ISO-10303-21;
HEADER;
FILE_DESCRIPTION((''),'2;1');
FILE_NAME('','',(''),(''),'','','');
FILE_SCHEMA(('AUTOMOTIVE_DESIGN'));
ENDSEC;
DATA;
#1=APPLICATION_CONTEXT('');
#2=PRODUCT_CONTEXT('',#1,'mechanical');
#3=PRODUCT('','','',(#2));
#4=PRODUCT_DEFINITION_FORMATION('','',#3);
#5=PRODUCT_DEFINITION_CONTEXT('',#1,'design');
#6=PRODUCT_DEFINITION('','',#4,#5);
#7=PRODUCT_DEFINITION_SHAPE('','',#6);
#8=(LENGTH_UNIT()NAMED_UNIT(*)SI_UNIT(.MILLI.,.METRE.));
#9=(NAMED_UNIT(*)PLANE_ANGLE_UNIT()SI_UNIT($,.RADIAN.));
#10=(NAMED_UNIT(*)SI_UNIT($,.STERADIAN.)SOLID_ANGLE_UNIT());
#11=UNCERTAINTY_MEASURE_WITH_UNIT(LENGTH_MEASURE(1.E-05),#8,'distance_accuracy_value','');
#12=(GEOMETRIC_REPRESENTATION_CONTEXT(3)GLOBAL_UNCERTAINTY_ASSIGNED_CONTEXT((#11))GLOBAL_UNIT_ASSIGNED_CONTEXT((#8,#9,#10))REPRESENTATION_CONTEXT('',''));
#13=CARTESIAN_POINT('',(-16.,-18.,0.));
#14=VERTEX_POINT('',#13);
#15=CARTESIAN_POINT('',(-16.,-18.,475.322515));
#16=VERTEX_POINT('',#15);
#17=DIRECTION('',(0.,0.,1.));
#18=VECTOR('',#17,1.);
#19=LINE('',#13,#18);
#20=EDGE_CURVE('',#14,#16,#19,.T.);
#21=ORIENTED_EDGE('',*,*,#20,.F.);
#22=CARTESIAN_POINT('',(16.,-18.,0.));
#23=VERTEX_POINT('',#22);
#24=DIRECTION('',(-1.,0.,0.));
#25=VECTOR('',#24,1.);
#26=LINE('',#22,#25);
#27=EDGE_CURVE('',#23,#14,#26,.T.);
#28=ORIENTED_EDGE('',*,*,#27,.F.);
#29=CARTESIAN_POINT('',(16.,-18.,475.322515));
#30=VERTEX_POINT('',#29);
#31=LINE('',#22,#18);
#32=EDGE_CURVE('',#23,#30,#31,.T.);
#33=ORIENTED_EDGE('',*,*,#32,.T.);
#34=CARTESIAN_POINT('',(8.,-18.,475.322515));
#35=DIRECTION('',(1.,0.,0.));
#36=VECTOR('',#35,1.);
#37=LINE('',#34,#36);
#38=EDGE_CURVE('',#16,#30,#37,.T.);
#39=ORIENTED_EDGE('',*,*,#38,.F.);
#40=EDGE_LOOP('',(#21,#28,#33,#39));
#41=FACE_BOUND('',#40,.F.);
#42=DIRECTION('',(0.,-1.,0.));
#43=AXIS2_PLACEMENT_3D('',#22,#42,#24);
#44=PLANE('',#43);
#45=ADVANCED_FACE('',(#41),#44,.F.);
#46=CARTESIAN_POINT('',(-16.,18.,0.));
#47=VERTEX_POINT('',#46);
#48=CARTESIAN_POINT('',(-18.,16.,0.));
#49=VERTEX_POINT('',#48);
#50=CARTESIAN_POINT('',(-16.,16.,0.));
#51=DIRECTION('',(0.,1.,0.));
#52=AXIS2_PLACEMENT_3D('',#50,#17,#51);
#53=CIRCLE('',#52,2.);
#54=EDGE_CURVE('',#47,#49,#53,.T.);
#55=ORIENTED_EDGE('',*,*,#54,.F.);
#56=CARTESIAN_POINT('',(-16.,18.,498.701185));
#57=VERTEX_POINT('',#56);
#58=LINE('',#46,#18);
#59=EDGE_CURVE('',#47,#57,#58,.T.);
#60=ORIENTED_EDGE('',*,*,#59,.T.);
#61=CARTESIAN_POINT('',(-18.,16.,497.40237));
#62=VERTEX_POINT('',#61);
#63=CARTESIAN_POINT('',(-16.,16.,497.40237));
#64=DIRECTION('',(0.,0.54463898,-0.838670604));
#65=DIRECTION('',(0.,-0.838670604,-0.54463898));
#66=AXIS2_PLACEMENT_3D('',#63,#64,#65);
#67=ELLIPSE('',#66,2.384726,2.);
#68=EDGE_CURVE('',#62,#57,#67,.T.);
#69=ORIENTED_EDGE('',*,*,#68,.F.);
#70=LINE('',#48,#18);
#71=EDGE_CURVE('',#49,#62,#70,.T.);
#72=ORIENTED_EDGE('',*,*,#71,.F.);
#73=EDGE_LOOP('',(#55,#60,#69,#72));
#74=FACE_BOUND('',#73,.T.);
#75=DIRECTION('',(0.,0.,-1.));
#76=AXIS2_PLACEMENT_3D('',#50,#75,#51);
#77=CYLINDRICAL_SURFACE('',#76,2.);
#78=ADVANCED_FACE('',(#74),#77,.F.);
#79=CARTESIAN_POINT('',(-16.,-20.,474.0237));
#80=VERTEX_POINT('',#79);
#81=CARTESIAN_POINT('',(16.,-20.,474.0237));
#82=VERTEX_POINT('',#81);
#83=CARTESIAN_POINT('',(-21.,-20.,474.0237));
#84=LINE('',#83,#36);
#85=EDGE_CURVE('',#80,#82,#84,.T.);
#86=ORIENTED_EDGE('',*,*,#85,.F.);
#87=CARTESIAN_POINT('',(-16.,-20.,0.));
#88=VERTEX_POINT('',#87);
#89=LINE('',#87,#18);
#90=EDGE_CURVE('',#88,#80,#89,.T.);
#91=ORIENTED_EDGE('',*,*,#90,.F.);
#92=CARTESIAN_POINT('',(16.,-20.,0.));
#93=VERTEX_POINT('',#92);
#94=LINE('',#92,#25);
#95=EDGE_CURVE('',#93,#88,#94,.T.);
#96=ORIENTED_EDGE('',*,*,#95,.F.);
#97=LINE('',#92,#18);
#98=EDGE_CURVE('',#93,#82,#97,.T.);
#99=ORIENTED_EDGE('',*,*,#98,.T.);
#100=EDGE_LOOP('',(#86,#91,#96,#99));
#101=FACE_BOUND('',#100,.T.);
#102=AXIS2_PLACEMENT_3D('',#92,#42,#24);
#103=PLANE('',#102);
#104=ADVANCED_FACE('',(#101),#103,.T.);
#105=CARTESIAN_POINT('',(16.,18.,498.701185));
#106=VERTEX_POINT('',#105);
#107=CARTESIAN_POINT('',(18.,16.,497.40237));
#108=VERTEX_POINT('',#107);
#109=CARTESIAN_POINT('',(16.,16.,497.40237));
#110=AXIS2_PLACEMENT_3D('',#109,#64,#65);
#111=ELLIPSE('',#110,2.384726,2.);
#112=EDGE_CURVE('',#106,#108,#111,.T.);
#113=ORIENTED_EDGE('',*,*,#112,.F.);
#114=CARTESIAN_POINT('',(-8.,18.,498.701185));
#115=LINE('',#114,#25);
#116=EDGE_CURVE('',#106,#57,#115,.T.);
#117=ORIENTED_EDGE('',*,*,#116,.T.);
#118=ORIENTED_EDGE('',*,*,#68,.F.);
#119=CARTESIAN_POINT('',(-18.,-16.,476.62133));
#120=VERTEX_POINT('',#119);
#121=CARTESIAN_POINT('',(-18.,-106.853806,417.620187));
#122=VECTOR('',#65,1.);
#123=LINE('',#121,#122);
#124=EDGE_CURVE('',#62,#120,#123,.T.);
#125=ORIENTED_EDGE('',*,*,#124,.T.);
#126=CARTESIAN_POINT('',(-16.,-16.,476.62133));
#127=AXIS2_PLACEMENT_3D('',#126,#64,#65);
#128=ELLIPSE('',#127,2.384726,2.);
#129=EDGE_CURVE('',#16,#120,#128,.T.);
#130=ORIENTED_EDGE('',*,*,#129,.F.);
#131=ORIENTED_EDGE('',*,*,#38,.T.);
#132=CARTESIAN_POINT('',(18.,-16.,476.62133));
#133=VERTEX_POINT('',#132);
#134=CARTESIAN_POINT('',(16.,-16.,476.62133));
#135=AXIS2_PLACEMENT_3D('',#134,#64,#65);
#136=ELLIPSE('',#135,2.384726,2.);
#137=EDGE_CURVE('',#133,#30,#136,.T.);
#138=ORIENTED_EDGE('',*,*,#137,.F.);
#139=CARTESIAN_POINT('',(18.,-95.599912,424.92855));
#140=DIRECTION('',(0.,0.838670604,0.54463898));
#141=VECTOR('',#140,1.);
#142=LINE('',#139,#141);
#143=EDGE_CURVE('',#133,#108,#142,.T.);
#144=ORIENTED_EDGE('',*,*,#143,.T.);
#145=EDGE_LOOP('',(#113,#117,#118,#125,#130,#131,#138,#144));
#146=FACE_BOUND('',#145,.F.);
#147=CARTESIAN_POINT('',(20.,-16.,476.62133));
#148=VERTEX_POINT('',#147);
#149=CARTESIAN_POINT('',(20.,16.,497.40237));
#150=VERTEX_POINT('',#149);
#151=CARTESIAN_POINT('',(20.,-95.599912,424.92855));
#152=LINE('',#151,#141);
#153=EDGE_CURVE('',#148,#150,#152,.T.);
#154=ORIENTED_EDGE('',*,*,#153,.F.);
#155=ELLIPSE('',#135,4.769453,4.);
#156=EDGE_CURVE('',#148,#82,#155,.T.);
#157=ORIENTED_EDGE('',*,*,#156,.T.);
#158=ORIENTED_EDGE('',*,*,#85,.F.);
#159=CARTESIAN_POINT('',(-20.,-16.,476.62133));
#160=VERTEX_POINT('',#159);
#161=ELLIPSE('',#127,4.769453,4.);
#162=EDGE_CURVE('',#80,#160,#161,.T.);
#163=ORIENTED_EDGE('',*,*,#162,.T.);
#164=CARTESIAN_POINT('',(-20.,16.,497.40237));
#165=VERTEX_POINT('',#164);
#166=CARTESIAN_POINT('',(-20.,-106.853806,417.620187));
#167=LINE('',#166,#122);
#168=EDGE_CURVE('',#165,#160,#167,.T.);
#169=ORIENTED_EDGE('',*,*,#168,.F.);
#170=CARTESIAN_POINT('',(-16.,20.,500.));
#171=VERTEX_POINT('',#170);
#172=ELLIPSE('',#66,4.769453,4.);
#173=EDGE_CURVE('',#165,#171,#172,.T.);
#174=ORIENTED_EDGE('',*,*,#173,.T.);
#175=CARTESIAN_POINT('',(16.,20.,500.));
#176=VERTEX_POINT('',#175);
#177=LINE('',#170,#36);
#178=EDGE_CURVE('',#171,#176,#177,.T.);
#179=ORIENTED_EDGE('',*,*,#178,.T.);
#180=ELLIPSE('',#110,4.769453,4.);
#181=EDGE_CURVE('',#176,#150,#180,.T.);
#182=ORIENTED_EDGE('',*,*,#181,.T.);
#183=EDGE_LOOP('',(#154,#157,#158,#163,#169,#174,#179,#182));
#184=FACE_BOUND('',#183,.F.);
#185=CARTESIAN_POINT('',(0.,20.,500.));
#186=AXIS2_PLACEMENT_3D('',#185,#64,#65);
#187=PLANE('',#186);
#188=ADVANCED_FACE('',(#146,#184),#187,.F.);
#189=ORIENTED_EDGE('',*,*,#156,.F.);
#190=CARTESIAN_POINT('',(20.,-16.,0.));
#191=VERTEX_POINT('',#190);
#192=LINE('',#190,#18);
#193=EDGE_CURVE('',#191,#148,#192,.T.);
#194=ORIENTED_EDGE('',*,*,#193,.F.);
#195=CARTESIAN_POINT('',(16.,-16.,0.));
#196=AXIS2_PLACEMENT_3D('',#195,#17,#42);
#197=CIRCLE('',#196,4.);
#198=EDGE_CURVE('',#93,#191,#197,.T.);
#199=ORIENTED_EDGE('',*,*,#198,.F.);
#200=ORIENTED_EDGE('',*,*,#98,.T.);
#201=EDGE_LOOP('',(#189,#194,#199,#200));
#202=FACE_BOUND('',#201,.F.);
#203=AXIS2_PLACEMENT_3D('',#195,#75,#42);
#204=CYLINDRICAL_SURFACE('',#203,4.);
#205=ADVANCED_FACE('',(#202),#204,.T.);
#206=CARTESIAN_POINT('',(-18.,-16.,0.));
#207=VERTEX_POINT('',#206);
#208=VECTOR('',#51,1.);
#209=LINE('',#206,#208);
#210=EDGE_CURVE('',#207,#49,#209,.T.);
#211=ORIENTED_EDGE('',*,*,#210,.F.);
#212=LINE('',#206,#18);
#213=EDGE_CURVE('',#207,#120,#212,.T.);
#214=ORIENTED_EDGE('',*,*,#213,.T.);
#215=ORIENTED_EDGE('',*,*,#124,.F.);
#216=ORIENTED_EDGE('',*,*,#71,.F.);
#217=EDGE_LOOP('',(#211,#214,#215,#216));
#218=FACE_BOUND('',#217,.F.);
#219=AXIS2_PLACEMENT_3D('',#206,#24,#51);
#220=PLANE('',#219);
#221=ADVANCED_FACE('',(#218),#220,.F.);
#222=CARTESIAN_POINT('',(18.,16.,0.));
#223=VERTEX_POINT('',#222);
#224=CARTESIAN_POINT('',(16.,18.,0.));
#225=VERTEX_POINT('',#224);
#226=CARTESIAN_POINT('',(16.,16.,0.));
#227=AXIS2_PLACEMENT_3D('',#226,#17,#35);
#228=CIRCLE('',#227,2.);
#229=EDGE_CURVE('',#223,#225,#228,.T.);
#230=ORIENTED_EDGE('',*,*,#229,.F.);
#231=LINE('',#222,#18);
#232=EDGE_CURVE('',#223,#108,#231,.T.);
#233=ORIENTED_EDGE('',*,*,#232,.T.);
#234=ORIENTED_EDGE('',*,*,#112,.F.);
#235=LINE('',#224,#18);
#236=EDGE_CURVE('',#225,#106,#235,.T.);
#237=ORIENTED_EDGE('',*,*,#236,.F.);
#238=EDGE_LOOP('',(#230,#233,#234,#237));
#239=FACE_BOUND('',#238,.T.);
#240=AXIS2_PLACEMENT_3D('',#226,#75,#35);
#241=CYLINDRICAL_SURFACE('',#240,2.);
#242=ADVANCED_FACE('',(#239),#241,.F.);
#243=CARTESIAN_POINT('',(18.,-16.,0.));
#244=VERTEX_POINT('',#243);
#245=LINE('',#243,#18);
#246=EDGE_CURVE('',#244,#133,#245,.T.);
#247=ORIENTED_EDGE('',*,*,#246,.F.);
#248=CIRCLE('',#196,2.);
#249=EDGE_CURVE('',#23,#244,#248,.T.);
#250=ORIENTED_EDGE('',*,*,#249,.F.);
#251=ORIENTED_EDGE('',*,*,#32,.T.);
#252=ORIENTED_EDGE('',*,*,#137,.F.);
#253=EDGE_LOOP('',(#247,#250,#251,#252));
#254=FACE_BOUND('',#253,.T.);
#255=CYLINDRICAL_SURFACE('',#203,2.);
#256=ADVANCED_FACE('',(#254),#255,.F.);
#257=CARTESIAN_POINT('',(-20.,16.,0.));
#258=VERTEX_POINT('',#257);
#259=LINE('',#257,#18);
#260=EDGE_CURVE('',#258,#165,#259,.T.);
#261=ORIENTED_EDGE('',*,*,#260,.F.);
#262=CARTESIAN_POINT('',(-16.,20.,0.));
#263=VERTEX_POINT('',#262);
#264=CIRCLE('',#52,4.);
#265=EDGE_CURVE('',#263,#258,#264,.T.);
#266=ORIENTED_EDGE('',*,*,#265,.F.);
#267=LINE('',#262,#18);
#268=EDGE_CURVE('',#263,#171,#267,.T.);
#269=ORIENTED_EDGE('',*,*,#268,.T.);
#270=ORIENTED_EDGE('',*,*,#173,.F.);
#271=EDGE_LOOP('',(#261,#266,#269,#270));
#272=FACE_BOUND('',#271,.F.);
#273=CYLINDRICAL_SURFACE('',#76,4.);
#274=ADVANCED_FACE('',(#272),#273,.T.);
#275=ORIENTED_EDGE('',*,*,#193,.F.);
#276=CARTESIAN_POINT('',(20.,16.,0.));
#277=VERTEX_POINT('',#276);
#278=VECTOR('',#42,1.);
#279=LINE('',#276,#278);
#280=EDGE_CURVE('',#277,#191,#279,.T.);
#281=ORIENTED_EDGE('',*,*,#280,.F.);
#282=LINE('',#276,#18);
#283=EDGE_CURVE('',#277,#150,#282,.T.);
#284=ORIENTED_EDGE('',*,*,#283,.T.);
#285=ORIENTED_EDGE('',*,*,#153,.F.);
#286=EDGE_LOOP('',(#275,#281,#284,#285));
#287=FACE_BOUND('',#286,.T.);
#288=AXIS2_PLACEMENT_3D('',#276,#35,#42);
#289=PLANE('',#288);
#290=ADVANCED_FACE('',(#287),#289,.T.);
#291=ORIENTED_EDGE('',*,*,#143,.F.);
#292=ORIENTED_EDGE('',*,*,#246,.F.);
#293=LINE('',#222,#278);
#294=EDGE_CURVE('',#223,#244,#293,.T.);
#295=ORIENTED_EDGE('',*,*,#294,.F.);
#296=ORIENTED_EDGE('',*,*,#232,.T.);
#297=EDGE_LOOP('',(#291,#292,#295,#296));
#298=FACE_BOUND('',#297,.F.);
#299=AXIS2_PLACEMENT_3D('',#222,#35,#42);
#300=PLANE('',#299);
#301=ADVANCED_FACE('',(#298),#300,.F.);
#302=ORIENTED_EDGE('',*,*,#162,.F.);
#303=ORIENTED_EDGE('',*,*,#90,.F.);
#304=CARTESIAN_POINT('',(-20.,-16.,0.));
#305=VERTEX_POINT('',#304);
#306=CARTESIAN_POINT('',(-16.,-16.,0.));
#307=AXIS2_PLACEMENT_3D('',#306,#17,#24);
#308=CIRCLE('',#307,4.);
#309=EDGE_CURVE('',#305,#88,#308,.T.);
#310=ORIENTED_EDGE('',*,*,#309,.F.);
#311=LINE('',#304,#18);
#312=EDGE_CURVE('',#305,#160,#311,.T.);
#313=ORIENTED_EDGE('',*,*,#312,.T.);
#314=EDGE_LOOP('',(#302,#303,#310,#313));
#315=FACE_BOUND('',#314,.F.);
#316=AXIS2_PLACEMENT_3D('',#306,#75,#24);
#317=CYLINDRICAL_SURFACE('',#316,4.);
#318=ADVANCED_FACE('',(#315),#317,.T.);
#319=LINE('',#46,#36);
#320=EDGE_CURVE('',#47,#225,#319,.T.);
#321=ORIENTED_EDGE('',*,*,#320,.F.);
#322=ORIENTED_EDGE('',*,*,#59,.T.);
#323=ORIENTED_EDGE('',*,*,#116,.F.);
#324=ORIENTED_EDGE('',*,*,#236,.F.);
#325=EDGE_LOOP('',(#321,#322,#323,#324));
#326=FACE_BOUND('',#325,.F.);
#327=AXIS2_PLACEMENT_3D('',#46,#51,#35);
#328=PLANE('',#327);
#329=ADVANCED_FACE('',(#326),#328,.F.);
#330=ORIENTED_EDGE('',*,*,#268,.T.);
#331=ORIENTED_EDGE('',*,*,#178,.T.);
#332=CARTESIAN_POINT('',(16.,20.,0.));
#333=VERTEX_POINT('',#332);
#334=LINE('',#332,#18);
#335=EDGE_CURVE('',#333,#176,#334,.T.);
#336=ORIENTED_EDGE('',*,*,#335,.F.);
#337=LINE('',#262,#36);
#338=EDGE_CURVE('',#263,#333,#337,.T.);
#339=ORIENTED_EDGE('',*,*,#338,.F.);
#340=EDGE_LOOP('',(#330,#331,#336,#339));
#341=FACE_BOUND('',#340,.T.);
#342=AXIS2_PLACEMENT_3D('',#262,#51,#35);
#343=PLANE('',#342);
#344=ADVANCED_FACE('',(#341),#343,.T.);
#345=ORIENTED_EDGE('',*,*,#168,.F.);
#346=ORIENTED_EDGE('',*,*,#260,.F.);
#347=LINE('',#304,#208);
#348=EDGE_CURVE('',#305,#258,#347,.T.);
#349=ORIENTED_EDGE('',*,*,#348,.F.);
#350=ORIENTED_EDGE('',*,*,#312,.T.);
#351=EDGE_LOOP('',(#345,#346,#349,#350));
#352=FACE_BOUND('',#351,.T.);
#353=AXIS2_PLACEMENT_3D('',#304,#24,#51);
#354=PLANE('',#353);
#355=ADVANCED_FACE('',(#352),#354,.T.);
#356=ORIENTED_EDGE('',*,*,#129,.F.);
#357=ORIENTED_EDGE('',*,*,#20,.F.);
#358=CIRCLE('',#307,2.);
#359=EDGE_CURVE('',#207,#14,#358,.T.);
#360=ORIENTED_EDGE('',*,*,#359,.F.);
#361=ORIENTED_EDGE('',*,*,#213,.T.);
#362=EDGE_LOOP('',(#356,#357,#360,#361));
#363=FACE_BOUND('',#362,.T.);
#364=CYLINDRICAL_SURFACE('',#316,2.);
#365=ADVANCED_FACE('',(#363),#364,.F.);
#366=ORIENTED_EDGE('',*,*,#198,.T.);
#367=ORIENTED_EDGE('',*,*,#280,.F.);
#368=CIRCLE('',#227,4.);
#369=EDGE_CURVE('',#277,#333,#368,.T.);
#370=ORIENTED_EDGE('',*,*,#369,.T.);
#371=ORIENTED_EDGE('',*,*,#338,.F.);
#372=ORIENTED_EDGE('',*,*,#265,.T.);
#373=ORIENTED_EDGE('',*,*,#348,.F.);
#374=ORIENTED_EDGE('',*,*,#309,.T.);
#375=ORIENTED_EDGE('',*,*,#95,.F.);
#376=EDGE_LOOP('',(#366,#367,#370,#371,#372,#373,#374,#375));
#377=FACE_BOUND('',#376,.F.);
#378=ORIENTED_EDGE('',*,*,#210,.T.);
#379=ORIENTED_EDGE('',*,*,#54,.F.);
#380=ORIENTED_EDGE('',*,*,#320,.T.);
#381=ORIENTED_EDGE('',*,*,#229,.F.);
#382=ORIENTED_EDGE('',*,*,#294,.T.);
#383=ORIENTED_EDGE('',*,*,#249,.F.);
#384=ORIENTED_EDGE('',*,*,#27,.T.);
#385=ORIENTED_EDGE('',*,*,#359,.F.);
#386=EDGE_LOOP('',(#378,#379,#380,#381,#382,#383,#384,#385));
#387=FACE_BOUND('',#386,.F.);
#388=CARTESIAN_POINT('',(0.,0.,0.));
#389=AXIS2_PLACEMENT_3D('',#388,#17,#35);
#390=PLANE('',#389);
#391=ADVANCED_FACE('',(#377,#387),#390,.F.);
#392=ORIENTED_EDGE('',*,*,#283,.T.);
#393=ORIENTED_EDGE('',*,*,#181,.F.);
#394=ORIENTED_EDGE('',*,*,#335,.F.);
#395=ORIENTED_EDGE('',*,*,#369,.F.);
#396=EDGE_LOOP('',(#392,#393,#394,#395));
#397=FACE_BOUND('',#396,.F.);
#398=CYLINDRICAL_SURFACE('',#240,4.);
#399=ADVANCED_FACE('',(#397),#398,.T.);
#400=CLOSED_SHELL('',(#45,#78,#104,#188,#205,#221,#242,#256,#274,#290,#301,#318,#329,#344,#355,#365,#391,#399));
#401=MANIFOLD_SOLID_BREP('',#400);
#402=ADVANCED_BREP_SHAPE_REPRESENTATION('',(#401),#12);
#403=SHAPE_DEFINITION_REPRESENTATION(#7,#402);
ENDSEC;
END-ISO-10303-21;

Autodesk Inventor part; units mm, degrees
ref_plane "YZ Plane" through (0, 0, 0) normal (1, 0, 0) x (0, 1, 0)
ref_plane "Start plane" through (0, 0, 0) normal (0, 0, 1) x (1, 0, 0)
ref_plane "End plane" through (0, 0, 500) normal (0, 0, 1) x (1, 0, 0)
sketch "Sketch" plane through (0, 0, 0) normal (0, 0, 1) x (1, 0, 0)
  line L0 (-20, -16) -> (-20, 16)
  line L1 (-16, 20) -> (16, 20)
  line L2 (20, 16) -> (20, -16)
  line L3 (16, -20) -> (-16, -20)
  arc A0 (-20, -16) -> (-16, -20) centre (-16, -16) ccw
  arc A1 (20, 16) -> (16, 20) centre (16, 16) ccw
  arc A2 (-16, 20) -> (-20, 16) centre (-16, 16) ccw
  arc A3 (16, -20) -> (20, -16) centre (16, -16) ccw
  arc A4 (-16, 18) -> (-18, 16) centre (-16, 16) ccw
  line L4 (-16, 18) -> (16, 18)
  arc A5 (18, 16) -> (16, 18) centre (16, 16) ccw
  line L5 (18, 16) -> (18, -16)
  arc A6 (16, -18) -> (18, -16) centre (16, -16) ccw
  line L6 (16, -18) -> (-16, -18)
  arc A7 (-18, -16) -> (-16, -18) centre (-16, -16) ccw
  line L7 (-18, -16) -> (-18, 16)
  line L8 (0, 29.1598) -> (0, -29.1598) construction
  line L9 (-29.1598, 0) -> (29.1598, 0) construction
  dimension "d7" = 4
  dimension "d9" = 40
  dimension "d11" = 40
  dimension "d12" = 2
  dimension "d15" = 20
  dimension "d16" = 20
extrude "Body" add sketch "Sketch" along normal up to surface (500 mm away) from surface at 0
sketch "Sketch3" plane through (0, 0, 0) normal (0, 0, 1) x (1, 0, 0)
  line L0 (0, 0) -> (10, 0)
ref_plane "Work Plane3" through (0, 0, 0) normal (0, -1, 0) x (1, 0, 0)
sketch "Sketch5" plane through (0, 0, 0) normal (1, 0, 0) x (0, 1, 0)
  line L0 (-20, 0) -> (-20, 500) projected
  line L1 (-20, 0) -> (-20, 500) projected
  line L2 (20, 0) -> (20, 500) projected
  line L3 (20, 0) -> (20, 500) projected
  line L4 (-20, 500) -> (20, 500)
  line L5 (20, 500) -> (-20, 474.0237)
  point P0 (0, 0)
  point P1 (-20, 474.0237)
  dimension "d20" = 33
extrude "Extrusion2" cut sketch "Sketch5" along normal through all both and the other way through all
sketch "Sketch4" plane through (0, 0, 0) normal (0, -1, 0) x (1, 0, 0)
  line L0 (-2, 0) -> (12, 0) projected
  line L1 (-2, 500) -> (12, 500) projected
  dimension "d18" = 500
equation "\"d7\" = G_IR"
equation "\"d9\" = G_W"
equation "\"d11\" = G_H"
equation "\"d12\" = G_T"
equation "\"d15\" = 0.5 * d9"
equation "\"d16\" = 0.5 * d11"
equation "\"d3\" = G_L"
equation "\"G_W\" = 40"
equation "\"G_H\" = 40"
equation "\"G_T\" = 2"
equation "\"G_IR\" = 4"
equation "\"G_L\" = d18"
equation "\"G_OFFSET_START\" = 0"
equation "\"G_OFFSET_END\" = 0"
properties part number "ISO 4019 - 40x40x2 - 500" material "Steel, Mild"
